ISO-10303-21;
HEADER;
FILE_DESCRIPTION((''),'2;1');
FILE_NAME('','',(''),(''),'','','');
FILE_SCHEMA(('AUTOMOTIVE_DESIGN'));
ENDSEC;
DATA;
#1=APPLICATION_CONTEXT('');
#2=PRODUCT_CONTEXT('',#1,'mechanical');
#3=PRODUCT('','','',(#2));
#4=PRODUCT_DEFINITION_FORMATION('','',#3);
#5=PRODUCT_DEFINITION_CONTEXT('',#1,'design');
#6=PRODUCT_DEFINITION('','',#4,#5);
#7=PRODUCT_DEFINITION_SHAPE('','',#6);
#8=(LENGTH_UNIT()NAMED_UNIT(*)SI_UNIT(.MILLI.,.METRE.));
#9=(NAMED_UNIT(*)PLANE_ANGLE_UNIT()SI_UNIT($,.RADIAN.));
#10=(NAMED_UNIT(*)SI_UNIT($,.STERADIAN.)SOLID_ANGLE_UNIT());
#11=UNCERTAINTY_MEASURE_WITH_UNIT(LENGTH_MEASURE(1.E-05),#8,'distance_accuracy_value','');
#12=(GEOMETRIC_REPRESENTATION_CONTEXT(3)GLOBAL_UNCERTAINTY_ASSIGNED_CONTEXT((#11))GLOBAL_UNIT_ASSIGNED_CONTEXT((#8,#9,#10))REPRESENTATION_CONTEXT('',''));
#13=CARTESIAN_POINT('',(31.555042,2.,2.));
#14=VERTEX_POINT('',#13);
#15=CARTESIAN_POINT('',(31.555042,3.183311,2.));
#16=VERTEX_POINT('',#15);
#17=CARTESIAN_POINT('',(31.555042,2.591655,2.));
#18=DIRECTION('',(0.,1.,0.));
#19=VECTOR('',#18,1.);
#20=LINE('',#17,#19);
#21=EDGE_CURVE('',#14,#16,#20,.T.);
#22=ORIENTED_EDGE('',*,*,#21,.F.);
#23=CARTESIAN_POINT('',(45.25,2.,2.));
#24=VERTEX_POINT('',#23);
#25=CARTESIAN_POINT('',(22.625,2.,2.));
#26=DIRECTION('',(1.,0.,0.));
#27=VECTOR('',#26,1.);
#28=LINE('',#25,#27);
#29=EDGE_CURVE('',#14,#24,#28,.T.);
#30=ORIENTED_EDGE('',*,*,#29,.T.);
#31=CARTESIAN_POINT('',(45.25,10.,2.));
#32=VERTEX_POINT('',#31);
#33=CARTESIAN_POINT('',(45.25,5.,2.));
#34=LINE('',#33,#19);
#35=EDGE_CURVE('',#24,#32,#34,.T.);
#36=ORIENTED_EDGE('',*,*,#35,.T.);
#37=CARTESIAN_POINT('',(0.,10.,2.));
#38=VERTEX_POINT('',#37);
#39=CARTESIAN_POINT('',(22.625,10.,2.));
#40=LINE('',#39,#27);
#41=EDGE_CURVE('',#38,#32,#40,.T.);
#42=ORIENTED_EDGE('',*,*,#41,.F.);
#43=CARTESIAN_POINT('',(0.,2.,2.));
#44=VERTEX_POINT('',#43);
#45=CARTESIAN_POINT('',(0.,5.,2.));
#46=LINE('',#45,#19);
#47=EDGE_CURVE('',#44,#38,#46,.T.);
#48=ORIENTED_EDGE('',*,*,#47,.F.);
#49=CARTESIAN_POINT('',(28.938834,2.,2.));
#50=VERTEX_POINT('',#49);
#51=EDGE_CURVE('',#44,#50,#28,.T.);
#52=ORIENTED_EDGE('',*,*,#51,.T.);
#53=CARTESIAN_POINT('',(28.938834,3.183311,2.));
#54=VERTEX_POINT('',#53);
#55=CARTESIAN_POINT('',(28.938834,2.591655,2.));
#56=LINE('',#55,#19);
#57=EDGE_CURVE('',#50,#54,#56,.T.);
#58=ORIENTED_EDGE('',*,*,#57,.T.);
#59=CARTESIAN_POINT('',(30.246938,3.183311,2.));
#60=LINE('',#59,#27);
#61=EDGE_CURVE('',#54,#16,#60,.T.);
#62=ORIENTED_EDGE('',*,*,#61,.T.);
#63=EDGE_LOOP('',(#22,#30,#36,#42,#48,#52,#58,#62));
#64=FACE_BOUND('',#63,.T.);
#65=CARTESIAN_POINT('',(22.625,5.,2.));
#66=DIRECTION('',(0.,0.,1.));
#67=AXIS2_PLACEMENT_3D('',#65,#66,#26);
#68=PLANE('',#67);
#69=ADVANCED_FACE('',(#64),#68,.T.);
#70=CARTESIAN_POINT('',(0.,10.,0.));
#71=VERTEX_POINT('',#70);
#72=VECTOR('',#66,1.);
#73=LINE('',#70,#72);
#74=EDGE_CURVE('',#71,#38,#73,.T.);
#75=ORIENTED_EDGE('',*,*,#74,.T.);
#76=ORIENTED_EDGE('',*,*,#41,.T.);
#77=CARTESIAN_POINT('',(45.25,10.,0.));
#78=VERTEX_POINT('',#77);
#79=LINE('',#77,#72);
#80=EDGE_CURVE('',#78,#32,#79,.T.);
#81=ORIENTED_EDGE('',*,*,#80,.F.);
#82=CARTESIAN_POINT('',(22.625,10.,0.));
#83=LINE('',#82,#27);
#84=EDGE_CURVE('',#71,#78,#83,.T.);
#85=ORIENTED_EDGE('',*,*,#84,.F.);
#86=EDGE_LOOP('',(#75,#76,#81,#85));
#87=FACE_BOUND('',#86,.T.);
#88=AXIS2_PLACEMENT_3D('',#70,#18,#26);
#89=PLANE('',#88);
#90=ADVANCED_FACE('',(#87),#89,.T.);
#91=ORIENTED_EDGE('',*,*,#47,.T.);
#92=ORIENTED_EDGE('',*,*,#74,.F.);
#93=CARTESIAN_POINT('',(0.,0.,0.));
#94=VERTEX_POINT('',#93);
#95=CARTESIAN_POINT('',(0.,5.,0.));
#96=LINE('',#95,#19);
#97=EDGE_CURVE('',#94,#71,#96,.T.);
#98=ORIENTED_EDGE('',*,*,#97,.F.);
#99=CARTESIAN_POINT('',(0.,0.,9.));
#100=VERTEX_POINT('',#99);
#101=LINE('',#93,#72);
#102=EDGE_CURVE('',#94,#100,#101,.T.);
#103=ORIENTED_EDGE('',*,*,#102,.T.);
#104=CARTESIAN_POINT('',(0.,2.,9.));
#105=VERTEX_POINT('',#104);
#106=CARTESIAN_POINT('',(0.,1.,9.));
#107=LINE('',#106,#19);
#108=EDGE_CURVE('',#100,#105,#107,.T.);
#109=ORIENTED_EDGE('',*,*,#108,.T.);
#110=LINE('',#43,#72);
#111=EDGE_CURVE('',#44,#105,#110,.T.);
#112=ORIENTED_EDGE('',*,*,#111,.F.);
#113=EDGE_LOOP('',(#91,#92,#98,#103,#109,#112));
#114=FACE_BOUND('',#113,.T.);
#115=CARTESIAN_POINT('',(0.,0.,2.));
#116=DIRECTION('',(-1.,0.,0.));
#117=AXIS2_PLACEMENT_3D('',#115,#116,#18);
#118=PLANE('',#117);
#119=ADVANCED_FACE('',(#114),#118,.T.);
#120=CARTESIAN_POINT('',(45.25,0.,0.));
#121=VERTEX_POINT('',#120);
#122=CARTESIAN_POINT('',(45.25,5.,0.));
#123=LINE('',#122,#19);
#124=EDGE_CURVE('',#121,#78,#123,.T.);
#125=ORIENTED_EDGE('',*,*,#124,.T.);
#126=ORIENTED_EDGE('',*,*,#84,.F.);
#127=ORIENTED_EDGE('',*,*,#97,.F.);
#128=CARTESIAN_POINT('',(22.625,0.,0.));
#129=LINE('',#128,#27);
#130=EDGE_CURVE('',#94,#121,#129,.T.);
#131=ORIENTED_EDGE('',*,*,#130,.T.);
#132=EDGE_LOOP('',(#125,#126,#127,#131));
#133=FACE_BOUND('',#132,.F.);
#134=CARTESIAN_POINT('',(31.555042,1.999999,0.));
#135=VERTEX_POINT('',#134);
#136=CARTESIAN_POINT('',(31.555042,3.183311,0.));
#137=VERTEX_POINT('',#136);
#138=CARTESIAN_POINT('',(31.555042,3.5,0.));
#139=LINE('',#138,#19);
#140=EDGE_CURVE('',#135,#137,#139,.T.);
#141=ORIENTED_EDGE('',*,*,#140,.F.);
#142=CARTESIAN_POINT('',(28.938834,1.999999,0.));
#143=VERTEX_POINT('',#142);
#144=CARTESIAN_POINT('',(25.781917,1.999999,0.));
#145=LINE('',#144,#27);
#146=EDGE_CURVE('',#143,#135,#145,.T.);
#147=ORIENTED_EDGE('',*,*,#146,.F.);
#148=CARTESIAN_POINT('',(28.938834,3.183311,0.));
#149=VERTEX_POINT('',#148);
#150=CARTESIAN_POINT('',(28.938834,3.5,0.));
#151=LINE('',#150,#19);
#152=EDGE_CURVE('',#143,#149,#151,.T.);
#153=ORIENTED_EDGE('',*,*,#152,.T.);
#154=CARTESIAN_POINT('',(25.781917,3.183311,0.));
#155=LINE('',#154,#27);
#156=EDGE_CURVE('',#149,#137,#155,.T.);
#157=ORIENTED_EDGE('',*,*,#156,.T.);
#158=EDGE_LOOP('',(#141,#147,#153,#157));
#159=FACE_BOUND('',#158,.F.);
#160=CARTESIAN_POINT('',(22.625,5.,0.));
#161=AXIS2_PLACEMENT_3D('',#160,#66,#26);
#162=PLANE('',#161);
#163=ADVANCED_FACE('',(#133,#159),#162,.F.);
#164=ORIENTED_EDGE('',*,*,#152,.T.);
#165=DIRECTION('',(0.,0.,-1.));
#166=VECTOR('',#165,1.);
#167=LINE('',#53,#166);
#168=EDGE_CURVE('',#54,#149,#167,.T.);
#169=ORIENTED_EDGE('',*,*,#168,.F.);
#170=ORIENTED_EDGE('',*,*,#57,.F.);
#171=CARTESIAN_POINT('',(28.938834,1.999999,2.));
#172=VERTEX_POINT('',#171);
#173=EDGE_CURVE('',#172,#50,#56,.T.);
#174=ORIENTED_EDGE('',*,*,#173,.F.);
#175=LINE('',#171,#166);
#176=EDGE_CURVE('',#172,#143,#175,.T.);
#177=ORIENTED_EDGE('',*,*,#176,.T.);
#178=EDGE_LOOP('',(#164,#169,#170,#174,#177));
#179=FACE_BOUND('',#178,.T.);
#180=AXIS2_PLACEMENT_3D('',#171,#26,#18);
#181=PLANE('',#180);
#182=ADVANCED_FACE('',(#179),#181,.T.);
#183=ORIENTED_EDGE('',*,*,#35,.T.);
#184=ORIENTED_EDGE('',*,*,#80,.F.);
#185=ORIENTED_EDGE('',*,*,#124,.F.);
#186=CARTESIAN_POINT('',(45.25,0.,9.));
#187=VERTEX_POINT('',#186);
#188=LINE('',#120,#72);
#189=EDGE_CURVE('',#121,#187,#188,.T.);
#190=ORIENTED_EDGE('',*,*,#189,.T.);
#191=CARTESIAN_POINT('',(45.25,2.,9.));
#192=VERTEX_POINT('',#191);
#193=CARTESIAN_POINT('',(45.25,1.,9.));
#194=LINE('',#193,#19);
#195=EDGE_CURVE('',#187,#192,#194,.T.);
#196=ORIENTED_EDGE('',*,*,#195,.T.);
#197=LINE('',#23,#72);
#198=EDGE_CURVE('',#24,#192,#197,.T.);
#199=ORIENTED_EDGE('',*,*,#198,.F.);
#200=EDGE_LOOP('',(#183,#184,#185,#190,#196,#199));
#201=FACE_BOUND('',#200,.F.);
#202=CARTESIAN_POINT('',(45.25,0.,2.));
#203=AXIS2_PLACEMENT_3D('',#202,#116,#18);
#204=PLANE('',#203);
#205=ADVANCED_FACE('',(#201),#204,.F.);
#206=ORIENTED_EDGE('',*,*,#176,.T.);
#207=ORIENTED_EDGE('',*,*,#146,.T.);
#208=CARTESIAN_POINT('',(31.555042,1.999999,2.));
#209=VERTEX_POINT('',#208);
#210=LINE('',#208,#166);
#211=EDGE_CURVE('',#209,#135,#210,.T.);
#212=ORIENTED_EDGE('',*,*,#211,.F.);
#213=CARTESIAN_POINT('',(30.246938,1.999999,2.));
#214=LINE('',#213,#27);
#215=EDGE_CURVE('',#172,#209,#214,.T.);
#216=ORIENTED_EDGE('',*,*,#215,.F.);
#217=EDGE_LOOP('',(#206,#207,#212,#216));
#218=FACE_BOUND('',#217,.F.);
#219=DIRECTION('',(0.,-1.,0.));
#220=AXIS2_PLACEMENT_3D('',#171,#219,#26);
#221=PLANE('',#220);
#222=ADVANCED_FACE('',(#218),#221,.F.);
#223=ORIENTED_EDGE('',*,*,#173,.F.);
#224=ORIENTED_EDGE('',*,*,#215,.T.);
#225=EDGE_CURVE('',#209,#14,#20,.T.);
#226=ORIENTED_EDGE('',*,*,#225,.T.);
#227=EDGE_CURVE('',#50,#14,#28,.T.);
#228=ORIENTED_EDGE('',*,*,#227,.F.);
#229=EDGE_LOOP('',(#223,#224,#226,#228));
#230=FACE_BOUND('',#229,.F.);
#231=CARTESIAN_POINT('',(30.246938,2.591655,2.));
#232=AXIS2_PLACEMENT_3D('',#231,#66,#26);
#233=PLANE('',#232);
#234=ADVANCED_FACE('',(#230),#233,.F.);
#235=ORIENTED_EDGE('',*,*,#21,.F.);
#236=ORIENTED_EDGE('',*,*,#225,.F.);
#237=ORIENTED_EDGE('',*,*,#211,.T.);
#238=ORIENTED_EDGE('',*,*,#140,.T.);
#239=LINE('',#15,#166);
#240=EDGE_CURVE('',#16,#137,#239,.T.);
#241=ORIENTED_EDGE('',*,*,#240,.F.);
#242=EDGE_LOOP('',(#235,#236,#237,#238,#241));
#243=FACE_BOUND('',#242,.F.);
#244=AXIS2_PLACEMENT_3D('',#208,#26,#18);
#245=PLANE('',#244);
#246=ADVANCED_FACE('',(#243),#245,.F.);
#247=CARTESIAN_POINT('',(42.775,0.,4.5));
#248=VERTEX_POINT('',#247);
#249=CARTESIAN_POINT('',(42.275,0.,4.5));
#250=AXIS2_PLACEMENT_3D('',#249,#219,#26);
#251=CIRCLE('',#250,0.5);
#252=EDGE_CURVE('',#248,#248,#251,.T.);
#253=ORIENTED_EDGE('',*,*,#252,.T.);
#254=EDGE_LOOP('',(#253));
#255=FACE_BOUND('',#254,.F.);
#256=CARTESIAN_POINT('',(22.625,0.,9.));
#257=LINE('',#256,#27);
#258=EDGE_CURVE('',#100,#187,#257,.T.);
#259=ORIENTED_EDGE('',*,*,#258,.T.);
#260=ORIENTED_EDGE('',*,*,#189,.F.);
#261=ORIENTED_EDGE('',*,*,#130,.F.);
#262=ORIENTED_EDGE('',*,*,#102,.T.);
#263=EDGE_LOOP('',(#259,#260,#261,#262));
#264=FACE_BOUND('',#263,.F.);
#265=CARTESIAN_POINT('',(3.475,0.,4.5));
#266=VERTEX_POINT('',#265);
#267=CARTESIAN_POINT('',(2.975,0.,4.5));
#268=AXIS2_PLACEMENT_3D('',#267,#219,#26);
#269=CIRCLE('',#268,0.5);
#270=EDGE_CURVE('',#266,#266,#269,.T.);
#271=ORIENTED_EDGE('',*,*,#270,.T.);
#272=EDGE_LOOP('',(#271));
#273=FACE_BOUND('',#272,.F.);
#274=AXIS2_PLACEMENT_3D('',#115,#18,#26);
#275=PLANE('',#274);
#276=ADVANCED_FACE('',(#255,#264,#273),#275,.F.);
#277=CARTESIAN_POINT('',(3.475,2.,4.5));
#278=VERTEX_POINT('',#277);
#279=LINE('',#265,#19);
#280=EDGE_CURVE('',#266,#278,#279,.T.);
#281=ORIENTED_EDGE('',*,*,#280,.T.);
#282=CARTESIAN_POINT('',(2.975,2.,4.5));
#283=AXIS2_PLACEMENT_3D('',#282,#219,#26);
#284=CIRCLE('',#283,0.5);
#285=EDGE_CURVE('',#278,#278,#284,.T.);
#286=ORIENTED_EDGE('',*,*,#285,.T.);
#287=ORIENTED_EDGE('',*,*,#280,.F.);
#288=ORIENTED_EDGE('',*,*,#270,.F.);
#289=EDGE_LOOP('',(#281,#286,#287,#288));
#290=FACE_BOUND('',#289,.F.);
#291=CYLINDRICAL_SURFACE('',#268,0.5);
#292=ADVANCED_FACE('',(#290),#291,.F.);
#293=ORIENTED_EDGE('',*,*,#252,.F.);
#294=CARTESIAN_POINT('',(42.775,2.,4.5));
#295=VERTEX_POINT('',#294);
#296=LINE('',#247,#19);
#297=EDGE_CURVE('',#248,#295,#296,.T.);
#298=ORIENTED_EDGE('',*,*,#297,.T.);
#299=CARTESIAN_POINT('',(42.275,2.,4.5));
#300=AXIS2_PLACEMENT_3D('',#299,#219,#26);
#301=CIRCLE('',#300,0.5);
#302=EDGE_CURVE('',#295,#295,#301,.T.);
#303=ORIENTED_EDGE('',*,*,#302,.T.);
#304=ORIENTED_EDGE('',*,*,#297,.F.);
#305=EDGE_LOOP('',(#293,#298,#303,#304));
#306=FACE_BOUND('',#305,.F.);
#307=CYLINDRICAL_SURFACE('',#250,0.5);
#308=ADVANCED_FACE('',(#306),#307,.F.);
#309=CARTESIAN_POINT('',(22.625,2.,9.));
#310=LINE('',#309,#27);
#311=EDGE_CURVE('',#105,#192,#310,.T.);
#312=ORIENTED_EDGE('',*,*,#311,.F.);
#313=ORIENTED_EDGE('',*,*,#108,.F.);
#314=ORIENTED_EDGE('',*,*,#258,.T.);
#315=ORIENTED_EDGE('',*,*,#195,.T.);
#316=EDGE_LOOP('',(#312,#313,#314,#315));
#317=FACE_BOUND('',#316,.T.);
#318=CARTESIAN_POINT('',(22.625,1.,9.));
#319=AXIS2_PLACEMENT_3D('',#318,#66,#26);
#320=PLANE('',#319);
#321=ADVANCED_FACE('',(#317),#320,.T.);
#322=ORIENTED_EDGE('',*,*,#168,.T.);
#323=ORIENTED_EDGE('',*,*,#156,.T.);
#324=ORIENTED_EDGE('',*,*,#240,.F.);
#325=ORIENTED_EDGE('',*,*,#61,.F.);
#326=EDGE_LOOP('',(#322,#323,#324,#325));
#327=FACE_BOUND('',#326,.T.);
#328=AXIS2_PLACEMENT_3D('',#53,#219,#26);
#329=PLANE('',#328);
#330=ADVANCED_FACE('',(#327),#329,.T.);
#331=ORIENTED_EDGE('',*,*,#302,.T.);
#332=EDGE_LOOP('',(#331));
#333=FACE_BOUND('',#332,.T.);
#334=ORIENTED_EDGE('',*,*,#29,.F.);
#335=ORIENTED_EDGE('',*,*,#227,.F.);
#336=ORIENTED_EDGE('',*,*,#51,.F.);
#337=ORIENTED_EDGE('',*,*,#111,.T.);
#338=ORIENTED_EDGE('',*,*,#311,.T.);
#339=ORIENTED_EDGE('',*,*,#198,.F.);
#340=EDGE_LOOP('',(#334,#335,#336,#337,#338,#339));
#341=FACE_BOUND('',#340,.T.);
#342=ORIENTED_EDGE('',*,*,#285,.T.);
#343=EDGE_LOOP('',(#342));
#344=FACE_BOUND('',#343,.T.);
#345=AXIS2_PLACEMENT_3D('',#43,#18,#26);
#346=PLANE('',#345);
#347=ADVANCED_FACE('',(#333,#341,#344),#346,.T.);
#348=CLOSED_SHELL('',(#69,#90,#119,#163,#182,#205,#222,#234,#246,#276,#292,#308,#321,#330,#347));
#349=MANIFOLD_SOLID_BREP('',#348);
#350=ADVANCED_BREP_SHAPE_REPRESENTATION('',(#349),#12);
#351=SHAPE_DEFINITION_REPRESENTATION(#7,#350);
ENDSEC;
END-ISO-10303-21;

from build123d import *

# Parameters (mm, degrees)
F0_W     = 45.25
F0_H     = 10
F1_DEPTH = 2
F2_W     = 45.25
F2_H     = 2
F3_DEPTH = 7
F4_R     = 0.5
F5_DEPTH = 25
F6_DEPTH = 25
F7_W     = 2.616208
F7_H     = 1.183311
F8_DEPTH = 3


with BuildPart() as f1:
    # F0 (on Top) → F1 (new body)
    with BuildSketch(Plane.XY):
        with Locations((22.625, 5)):
            Rectangle(F0_W, F0_H)
    extrude(amount=F1_DEPTH)

    # F2 (on face) → F3 (join)
    with BuildSketch(Plane.XY.offset(2)):
        with Locations((22.625, 1)):
            Rectangle(F2_W, F2_H)
    extrude(amount=F3_DEPTH)

    # F4 (on face) → F5 (cut)
    with BuildSketch(Plane.XZ):
        with Locations((2.975, 4.5)):
            Circle(F4_R)
    extrude(amount=-F5_DEPTH, mode=Mode.SUBTRACT)

    # F4 (on face) → F6 (cut)
    with BuildSketch(Plane.XZ):
        with Locations((42.275, 4.5)):
            Circle(F4_R)
    extrude(amount=-F6_DEPTH, mode=Mode.SUBTRACT)

    # F7 (on face) → F8 (cut)
    with BuildSketch(Plane.XY.offset(2)):
        with Locations((30.246938, 2.591655)):
            Rectangle(F7_W, F7_H)
    extrude(amount=-F8_DEPTH, mode=Mode.SUBTRACT)


solid = f1.part
